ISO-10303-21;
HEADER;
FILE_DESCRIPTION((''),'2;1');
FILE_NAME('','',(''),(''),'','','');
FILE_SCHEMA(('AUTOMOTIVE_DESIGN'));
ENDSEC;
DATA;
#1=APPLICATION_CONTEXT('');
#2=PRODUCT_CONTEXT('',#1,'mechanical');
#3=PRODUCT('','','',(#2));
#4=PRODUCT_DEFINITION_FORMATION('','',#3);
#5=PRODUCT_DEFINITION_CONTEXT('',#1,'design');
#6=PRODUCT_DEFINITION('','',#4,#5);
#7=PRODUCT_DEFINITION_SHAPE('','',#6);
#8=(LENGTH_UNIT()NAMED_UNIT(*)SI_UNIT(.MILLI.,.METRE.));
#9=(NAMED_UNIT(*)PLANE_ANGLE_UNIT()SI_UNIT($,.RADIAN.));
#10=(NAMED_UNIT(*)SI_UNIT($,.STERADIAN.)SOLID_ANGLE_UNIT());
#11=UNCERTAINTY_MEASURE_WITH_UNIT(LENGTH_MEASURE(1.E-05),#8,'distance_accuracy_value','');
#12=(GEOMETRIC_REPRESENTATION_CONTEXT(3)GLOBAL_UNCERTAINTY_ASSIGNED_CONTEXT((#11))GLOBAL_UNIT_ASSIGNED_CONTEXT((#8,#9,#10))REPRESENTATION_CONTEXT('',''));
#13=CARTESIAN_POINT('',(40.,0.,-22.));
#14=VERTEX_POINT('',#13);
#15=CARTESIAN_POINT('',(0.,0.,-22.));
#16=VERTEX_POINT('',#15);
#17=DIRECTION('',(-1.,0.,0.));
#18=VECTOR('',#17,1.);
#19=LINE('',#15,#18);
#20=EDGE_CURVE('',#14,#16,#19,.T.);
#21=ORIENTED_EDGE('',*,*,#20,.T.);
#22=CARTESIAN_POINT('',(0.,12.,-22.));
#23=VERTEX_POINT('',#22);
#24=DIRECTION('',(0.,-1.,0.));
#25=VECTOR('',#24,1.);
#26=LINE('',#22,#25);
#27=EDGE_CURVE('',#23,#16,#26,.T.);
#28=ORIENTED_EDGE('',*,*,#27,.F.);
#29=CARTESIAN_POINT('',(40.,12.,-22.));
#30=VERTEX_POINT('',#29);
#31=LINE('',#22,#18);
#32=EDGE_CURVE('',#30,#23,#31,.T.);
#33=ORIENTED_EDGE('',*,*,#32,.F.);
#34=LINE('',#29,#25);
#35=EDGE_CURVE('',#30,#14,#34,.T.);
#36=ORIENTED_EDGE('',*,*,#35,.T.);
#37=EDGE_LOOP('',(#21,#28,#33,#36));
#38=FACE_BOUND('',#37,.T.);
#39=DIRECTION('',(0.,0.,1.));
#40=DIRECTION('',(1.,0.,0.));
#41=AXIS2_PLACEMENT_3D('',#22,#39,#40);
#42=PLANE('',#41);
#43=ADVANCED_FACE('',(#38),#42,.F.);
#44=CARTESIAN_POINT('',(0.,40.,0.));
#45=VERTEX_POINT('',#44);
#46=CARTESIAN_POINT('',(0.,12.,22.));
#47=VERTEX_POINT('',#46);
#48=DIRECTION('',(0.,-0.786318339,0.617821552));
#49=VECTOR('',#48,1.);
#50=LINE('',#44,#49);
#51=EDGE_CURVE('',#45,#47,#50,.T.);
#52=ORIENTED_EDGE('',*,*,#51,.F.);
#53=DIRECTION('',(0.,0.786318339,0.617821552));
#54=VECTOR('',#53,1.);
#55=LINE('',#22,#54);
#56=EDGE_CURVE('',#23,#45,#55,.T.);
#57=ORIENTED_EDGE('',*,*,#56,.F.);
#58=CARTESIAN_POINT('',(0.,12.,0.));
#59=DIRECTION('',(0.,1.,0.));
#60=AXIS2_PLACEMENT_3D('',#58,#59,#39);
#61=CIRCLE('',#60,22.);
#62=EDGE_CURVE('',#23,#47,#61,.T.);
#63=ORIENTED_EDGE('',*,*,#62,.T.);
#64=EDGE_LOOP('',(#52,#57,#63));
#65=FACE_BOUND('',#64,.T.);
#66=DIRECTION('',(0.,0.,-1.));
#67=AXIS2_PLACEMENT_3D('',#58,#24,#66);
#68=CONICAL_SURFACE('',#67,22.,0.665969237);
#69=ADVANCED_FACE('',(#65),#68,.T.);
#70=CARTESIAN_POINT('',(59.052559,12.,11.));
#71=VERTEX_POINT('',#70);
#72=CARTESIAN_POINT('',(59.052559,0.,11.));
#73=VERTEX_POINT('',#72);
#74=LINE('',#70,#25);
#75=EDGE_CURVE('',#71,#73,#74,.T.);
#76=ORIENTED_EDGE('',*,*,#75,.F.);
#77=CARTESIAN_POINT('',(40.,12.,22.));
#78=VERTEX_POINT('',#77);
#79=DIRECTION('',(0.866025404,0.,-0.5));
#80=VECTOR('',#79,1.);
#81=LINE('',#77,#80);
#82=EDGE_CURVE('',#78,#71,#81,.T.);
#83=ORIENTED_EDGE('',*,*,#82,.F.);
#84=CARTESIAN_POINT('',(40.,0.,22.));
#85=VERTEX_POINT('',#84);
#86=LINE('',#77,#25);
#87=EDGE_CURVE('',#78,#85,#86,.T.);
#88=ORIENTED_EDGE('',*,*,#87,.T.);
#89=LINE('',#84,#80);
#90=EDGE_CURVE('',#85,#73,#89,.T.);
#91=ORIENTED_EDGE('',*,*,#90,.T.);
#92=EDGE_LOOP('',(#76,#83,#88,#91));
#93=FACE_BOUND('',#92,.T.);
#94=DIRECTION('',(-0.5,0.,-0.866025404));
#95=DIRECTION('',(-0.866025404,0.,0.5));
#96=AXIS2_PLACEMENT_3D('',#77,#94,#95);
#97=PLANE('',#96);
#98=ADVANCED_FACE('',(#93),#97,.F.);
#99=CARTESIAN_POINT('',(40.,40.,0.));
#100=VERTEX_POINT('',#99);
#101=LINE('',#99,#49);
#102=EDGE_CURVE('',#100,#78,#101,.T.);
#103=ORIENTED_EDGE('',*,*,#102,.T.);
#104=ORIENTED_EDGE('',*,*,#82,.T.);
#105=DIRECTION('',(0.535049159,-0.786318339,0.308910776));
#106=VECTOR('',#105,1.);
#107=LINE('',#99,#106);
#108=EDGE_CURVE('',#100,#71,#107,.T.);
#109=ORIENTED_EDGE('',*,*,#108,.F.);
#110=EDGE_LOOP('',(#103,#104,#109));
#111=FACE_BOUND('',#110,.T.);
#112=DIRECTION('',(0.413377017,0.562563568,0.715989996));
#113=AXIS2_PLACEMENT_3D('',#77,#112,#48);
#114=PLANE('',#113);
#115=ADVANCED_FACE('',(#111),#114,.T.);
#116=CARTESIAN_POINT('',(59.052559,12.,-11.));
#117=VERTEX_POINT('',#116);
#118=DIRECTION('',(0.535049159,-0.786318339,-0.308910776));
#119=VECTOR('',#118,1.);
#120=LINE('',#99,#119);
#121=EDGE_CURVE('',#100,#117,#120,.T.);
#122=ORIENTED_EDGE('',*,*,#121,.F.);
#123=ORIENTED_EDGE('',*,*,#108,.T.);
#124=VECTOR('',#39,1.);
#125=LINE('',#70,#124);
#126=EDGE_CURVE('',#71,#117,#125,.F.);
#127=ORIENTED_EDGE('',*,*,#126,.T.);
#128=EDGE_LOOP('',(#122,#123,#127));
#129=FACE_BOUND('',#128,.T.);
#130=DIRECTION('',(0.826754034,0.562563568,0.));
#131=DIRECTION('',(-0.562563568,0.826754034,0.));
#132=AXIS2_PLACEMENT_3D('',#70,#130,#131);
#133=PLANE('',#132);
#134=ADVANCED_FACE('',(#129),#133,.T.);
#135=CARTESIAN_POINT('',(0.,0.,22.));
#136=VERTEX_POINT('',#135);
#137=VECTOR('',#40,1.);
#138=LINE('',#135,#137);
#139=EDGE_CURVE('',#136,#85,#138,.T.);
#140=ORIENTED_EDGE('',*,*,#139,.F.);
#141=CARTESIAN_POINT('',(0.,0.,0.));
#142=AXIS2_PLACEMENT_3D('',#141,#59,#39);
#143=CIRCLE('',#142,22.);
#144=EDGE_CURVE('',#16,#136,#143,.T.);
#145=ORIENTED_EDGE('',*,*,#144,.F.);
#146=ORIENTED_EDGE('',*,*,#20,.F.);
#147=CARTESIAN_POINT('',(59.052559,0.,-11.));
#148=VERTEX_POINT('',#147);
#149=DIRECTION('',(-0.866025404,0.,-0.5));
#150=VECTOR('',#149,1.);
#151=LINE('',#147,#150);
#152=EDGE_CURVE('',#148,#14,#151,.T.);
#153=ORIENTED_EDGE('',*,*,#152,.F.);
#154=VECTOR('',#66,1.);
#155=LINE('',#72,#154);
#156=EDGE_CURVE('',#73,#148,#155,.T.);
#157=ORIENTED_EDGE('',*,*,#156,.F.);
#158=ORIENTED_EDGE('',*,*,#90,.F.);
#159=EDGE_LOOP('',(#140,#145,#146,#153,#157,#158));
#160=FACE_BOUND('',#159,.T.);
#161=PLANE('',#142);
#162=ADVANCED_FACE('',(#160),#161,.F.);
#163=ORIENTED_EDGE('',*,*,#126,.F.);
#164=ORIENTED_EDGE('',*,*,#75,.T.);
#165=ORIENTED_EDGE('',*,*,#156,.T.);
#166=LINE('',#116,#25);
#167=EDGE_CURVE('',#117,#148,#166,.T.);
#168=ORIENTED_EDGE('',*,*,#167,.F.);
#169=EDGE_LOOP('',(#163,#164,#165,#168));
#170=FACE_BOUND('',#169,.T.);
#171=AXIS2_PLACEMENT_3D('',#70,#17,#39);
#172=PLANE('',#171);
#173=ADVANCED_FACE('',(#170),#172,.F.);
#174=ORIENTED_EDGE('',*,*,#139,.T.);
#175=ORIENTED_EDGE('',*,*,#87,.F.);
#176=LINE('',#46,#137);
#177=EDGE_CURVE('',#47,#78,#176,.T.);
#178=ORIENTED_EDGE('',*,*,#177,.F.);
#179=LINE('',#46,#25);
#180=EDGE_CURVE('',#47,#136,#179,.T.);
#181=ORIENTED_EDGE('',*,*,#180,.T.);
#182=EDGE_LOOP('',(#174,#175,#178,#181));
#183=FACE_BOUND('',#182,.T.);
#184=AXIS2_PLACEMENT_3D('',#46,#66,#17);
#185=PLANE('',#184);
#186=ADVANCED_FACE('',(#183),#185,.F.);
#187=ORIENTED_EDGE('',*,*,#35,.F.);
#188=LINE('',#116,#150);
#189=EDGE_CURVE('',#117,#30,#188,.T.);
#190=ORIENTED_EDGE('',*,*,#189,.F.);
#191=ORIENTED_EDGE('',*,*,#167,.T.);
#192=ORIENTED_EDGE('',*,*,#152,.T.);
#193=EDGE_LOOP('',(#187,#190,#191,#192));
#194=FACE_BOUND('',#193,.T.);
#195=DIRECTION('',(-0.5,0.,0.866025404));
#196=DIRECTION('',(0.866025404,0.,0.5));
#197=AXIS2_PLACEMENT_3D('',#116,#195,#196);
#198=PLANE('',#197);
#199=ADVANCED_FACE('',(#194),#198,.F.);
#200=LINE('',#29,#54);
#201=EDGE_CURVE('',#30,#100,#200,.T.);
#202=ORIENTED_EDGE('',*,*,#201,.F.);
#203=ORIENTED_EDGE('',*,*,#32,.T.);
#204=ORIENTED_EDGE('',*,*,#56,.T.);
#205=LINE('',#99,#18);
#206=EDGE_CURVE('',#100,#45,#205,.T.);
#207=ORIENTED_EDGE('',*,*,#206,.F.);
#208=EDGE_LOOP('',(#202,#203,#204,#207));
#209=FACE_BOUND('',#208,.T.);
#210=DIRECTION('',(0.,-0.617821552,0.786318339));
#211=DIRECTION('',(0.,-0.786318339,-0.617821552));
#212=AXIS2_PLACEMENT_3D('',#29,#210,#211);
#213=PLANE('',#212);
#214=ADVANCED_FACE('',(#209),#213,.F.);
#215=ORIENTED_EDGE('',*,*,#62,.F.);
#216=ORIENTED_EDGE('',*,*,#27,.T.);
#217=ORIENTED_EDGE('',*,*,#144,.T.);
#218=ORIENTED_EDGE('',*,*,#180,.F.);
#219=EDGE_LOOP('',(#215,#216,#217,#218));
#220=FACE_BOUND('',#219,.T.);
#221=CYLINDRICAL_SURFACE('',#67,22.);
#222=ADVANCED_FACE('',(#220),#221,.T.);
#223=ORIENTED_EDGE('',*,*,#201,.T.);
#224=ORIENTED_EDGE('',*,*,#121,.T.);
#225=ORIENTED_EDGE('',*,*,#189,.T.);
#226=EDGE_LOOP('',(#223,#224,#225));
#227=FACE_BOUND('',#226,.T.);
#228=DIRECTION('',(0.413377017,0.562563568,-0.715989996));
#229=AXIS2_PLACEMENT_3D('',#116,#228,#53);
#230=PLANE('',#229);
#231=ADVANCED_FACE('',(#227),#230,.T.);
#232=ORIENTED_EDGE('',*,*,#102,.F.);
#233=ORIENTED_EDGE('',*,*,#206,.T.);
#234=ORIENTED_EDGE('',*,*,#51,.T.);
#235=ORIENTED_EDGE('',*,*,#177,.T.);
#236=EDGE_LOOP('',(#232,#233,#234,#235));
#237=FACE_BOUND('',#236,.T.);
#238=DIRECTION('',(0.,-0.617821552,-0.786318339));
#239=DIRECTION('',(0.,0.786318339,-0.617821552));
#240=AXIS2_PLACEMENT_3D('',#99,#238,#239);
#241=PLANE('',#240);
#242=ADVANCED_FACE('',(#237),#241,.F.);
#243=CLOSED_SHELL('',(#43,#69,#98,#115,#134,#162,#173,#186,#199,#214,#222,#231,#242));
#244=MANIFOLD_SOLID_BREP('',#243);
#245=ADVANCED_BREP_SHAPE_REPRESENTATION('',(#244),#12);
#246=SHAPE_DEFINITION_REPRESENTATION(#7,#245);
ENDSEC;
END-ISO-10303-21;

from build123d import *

# Parameters (mm, degrees)
EXTRUDE1_DEPTH = 12
EXTRUDE2_DEPTH = 40
REVOLVE1_ANGLE = 180


with BuildPart() as part:
    # Sketch1 → Extrude1 (new body)
    with BuildSketch(Plane(origin=(0, 0, 0), x_dir=(1, 0, 0), z_dir=(0, 1, 0))):
        with BuildLine():
            Line((0, -22), (40, -22))
            Line((40, -22), (59.052558883, -11))
            Line((59.052558883, -11), (59.052558883, 11))
            Line((59.052558883, 11), (40, 22))
            Line((40, 22), (0, 22))
            ThreePointArc((0, 22), (-22, 0), (0, -22))
        make_face()
    extrude(amount=EXTRUDE1_DEPTH)

    # Sketch2 → Extrude2 (add)
    with BuildSketch(Plane(origin=(0, 0, 0), x_dir=(0, 0, -1), z_dir=(1, 0, 0))):
        Polygon((0, 40), (-22, 12), (22, 12), align=None)
    extrude(amount=EXTRUDE2_DEPTH)

    # Sketch3 → Revolve1 (revolve)
    with BuildSketch(Plane.ZY):
        Polygon((0, 40), (0, 12), (22, 12), align=None)
    revolve(axis=Axis((0, 40, 0), (0, -1, 0)), revolution_arc=REVOLVE1_ANGLE)

    # Sketch4 → Loft1 section 0
    with BuildSketch(Plane(origin=(0, 12, 0), x_dir=(-1, 0, 0), z_dir=(0, 1, 0)), mode=Mode.PRIVATE) as loft1_s0:
        Polygon((-59.052558883, 11), (-59.052558883, -11), (-40, -22), (-40, 22), align=None)
    loft([Vertex(40, 40, 0), loft1_s0.sketch])


solid = part.part
